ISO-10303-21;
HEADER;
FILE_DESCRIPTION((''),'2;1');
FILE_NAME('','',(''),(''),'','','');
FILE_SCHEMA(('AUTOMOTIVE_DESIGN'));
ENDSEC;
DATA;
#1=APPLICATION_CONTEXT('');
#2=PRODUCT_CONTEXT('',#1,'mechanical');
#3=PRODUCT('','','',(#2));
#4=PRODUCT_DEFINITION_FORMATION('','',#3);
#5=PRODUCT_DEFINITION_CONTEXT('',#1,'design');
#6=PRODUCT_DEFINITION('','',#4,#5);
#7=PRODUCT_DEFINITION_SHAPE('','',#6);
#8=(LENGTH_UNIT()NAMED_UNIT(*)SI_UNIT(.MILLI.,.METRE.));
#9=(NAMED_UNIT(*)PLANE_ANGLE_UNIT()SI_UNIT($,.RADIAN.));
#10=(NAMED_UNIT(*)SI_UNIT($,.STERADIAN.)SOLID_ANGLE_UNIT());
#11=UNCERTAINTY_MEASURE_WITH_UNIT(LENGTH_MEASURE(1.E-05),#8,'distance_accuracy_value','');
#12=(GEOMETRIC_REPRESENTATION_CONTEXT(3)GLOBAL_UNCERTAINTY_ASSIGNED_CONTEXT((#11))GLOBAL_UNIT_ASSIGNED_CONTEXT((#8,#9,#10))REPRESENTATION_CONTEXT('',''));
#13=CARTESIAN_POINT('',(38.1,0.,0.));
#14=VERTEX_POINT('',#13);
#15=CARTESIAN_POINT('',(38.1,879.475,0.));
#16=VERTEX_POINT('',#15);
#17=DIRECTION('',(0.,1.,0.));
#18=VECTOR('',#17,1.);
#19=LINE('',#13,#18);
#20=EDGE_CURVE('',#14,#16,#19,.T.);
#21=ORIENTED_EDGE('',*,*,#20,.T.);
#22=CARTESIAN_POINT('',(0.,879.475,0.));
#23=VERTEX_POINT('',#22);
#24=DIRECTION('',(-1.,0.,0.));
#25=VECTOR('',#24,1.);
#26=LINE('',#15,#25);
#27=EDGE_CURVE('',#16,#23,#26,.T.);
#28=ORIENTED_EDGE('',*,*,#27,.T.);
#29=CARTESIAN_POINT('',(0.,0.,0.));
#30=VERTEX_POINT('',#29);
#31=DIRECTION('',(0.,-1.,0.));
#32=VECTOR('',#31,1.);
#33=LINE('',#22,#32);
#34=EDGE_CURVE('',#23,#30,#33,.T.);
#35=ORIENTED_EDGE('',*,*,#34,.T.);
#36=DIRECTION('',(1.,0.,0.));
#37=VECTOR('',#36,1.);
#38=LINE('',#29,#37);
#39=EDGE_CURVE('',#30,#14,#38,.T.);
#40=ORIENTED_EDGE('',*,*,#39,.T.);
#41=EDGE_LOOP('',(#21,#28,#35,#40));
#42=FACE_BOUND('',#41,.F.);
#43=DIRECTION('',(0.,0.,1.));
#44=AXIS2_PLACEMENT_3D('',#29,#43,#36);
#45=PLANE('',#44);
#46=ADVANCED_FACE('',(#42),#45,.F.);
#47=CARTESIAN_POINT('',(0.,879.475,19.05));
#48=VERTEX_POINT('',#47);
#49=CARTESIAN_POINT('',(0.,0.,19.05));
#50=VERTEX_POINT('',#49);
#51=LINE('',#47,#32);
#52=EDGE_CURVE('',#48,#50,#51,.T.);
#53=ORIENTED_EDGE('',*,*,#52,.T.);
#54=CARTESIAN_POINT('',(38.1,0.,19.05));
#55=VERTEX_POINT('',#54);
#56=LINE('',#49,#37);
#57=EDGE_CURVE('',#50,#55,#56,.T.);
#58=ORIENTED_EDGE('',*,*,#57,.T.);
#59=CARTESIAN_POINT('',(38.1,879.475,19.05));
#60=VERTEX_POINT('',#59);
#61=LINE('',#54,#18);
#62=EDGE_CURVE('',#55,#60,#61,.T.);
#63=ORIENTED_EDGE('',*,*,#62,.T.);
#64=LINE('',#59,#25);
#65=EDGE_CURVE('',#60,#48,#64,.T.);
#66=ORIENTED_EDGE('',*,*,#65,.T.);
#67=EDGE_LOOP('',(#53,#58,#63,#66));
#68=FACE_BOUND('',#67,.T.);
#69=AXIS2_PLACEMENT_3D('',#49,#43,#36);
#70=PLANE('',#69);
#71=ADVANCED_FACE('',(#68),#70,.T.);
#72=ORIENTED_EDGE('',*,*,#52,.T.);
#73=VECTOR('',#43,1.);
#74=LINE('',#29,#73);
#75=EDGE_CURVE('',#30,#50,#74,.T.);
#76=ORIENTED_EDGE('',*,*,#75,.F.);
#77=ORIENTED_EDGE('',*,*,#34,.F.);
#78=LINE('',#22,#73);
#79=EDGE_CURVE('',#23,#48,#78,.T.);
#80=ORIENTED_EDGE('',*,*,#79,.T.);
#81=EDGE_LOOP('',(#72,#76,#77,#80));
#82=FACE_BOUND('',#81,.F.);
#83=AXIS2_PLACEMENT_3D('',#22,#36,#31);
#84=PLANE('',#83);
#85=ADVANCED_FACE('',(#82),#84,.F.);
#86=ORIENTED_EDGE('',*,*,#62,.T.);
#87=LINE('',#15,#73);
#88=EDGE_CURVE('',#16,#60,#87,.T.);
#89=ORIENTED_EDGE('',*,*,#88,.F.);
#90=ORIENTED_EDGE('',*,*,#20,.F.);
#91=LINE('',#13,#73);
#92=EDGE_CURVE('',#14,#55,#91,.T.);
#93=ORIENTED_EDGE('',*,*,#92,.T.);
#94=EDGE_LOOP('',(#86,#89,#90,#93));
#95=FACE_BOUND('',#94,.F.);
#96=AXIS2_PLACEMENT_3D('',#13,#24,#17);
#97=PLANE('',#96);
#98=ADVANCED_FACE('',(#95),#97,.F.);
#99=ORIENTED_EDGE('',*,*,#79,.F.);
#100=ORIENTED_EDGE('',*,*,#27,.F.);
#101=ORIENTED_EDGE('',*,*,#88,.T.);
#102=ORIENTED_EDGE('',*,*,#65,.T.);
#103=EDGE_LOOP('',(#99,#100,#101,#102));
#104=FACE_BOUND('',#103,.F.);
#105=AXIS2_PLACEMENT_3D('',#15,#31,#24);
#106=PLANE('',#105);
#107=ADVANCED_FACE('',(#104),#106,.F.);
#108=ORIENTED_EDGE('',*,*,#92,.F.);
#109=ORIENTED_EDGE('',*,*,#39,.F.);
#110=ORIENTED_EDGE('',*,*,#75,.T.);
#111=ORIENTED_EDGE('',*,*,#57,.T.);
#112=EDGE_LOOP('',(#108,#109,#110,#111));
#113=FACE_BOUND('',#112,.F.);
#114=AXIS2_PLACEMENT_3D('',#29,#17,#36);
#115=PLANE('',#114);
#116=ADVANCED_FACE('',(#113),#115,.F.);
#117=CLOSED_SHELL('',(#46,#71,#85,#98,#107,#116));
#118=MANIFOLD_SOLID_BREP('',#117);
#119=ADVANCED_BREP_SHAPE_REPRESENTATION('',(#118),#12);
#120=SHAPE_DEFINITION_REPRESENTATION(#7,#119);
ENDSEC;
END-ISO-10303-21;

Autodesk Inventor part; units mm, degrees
ref_plane "YZ Plane" through (0, 0, 0) normal (1, 0, 0) x (0, 1, 0)
ref_plane "XZ Plane" through (0, 0, 0) normal (0, 1, 0) x (-1, 0, 0)
ref_plane "XY Plane" through (0, 0, 0) normal (0, 0, 1) x (1, 0, 0)
sketch "Sketch1" plane through (0, 0, 0) normal (0, 0, 1) x (1, 0, 0)
  line L0 (0, 0) -> (38.1, 0)
  line L1 (38.1, 0) -> (38.1, 879.475)
  line L2 (38.1, 879.475) -> (0, 879.475)
  line L3 (0, 879.475) -> (0, 0)
  dimension "d0" = 38.1
  dimension "d1" = 879.475
extrude "Extrusion1" add sketch "Sketch1" along normal blind 19.05
properties part number "Cabinet Support Frame Side Bar"
